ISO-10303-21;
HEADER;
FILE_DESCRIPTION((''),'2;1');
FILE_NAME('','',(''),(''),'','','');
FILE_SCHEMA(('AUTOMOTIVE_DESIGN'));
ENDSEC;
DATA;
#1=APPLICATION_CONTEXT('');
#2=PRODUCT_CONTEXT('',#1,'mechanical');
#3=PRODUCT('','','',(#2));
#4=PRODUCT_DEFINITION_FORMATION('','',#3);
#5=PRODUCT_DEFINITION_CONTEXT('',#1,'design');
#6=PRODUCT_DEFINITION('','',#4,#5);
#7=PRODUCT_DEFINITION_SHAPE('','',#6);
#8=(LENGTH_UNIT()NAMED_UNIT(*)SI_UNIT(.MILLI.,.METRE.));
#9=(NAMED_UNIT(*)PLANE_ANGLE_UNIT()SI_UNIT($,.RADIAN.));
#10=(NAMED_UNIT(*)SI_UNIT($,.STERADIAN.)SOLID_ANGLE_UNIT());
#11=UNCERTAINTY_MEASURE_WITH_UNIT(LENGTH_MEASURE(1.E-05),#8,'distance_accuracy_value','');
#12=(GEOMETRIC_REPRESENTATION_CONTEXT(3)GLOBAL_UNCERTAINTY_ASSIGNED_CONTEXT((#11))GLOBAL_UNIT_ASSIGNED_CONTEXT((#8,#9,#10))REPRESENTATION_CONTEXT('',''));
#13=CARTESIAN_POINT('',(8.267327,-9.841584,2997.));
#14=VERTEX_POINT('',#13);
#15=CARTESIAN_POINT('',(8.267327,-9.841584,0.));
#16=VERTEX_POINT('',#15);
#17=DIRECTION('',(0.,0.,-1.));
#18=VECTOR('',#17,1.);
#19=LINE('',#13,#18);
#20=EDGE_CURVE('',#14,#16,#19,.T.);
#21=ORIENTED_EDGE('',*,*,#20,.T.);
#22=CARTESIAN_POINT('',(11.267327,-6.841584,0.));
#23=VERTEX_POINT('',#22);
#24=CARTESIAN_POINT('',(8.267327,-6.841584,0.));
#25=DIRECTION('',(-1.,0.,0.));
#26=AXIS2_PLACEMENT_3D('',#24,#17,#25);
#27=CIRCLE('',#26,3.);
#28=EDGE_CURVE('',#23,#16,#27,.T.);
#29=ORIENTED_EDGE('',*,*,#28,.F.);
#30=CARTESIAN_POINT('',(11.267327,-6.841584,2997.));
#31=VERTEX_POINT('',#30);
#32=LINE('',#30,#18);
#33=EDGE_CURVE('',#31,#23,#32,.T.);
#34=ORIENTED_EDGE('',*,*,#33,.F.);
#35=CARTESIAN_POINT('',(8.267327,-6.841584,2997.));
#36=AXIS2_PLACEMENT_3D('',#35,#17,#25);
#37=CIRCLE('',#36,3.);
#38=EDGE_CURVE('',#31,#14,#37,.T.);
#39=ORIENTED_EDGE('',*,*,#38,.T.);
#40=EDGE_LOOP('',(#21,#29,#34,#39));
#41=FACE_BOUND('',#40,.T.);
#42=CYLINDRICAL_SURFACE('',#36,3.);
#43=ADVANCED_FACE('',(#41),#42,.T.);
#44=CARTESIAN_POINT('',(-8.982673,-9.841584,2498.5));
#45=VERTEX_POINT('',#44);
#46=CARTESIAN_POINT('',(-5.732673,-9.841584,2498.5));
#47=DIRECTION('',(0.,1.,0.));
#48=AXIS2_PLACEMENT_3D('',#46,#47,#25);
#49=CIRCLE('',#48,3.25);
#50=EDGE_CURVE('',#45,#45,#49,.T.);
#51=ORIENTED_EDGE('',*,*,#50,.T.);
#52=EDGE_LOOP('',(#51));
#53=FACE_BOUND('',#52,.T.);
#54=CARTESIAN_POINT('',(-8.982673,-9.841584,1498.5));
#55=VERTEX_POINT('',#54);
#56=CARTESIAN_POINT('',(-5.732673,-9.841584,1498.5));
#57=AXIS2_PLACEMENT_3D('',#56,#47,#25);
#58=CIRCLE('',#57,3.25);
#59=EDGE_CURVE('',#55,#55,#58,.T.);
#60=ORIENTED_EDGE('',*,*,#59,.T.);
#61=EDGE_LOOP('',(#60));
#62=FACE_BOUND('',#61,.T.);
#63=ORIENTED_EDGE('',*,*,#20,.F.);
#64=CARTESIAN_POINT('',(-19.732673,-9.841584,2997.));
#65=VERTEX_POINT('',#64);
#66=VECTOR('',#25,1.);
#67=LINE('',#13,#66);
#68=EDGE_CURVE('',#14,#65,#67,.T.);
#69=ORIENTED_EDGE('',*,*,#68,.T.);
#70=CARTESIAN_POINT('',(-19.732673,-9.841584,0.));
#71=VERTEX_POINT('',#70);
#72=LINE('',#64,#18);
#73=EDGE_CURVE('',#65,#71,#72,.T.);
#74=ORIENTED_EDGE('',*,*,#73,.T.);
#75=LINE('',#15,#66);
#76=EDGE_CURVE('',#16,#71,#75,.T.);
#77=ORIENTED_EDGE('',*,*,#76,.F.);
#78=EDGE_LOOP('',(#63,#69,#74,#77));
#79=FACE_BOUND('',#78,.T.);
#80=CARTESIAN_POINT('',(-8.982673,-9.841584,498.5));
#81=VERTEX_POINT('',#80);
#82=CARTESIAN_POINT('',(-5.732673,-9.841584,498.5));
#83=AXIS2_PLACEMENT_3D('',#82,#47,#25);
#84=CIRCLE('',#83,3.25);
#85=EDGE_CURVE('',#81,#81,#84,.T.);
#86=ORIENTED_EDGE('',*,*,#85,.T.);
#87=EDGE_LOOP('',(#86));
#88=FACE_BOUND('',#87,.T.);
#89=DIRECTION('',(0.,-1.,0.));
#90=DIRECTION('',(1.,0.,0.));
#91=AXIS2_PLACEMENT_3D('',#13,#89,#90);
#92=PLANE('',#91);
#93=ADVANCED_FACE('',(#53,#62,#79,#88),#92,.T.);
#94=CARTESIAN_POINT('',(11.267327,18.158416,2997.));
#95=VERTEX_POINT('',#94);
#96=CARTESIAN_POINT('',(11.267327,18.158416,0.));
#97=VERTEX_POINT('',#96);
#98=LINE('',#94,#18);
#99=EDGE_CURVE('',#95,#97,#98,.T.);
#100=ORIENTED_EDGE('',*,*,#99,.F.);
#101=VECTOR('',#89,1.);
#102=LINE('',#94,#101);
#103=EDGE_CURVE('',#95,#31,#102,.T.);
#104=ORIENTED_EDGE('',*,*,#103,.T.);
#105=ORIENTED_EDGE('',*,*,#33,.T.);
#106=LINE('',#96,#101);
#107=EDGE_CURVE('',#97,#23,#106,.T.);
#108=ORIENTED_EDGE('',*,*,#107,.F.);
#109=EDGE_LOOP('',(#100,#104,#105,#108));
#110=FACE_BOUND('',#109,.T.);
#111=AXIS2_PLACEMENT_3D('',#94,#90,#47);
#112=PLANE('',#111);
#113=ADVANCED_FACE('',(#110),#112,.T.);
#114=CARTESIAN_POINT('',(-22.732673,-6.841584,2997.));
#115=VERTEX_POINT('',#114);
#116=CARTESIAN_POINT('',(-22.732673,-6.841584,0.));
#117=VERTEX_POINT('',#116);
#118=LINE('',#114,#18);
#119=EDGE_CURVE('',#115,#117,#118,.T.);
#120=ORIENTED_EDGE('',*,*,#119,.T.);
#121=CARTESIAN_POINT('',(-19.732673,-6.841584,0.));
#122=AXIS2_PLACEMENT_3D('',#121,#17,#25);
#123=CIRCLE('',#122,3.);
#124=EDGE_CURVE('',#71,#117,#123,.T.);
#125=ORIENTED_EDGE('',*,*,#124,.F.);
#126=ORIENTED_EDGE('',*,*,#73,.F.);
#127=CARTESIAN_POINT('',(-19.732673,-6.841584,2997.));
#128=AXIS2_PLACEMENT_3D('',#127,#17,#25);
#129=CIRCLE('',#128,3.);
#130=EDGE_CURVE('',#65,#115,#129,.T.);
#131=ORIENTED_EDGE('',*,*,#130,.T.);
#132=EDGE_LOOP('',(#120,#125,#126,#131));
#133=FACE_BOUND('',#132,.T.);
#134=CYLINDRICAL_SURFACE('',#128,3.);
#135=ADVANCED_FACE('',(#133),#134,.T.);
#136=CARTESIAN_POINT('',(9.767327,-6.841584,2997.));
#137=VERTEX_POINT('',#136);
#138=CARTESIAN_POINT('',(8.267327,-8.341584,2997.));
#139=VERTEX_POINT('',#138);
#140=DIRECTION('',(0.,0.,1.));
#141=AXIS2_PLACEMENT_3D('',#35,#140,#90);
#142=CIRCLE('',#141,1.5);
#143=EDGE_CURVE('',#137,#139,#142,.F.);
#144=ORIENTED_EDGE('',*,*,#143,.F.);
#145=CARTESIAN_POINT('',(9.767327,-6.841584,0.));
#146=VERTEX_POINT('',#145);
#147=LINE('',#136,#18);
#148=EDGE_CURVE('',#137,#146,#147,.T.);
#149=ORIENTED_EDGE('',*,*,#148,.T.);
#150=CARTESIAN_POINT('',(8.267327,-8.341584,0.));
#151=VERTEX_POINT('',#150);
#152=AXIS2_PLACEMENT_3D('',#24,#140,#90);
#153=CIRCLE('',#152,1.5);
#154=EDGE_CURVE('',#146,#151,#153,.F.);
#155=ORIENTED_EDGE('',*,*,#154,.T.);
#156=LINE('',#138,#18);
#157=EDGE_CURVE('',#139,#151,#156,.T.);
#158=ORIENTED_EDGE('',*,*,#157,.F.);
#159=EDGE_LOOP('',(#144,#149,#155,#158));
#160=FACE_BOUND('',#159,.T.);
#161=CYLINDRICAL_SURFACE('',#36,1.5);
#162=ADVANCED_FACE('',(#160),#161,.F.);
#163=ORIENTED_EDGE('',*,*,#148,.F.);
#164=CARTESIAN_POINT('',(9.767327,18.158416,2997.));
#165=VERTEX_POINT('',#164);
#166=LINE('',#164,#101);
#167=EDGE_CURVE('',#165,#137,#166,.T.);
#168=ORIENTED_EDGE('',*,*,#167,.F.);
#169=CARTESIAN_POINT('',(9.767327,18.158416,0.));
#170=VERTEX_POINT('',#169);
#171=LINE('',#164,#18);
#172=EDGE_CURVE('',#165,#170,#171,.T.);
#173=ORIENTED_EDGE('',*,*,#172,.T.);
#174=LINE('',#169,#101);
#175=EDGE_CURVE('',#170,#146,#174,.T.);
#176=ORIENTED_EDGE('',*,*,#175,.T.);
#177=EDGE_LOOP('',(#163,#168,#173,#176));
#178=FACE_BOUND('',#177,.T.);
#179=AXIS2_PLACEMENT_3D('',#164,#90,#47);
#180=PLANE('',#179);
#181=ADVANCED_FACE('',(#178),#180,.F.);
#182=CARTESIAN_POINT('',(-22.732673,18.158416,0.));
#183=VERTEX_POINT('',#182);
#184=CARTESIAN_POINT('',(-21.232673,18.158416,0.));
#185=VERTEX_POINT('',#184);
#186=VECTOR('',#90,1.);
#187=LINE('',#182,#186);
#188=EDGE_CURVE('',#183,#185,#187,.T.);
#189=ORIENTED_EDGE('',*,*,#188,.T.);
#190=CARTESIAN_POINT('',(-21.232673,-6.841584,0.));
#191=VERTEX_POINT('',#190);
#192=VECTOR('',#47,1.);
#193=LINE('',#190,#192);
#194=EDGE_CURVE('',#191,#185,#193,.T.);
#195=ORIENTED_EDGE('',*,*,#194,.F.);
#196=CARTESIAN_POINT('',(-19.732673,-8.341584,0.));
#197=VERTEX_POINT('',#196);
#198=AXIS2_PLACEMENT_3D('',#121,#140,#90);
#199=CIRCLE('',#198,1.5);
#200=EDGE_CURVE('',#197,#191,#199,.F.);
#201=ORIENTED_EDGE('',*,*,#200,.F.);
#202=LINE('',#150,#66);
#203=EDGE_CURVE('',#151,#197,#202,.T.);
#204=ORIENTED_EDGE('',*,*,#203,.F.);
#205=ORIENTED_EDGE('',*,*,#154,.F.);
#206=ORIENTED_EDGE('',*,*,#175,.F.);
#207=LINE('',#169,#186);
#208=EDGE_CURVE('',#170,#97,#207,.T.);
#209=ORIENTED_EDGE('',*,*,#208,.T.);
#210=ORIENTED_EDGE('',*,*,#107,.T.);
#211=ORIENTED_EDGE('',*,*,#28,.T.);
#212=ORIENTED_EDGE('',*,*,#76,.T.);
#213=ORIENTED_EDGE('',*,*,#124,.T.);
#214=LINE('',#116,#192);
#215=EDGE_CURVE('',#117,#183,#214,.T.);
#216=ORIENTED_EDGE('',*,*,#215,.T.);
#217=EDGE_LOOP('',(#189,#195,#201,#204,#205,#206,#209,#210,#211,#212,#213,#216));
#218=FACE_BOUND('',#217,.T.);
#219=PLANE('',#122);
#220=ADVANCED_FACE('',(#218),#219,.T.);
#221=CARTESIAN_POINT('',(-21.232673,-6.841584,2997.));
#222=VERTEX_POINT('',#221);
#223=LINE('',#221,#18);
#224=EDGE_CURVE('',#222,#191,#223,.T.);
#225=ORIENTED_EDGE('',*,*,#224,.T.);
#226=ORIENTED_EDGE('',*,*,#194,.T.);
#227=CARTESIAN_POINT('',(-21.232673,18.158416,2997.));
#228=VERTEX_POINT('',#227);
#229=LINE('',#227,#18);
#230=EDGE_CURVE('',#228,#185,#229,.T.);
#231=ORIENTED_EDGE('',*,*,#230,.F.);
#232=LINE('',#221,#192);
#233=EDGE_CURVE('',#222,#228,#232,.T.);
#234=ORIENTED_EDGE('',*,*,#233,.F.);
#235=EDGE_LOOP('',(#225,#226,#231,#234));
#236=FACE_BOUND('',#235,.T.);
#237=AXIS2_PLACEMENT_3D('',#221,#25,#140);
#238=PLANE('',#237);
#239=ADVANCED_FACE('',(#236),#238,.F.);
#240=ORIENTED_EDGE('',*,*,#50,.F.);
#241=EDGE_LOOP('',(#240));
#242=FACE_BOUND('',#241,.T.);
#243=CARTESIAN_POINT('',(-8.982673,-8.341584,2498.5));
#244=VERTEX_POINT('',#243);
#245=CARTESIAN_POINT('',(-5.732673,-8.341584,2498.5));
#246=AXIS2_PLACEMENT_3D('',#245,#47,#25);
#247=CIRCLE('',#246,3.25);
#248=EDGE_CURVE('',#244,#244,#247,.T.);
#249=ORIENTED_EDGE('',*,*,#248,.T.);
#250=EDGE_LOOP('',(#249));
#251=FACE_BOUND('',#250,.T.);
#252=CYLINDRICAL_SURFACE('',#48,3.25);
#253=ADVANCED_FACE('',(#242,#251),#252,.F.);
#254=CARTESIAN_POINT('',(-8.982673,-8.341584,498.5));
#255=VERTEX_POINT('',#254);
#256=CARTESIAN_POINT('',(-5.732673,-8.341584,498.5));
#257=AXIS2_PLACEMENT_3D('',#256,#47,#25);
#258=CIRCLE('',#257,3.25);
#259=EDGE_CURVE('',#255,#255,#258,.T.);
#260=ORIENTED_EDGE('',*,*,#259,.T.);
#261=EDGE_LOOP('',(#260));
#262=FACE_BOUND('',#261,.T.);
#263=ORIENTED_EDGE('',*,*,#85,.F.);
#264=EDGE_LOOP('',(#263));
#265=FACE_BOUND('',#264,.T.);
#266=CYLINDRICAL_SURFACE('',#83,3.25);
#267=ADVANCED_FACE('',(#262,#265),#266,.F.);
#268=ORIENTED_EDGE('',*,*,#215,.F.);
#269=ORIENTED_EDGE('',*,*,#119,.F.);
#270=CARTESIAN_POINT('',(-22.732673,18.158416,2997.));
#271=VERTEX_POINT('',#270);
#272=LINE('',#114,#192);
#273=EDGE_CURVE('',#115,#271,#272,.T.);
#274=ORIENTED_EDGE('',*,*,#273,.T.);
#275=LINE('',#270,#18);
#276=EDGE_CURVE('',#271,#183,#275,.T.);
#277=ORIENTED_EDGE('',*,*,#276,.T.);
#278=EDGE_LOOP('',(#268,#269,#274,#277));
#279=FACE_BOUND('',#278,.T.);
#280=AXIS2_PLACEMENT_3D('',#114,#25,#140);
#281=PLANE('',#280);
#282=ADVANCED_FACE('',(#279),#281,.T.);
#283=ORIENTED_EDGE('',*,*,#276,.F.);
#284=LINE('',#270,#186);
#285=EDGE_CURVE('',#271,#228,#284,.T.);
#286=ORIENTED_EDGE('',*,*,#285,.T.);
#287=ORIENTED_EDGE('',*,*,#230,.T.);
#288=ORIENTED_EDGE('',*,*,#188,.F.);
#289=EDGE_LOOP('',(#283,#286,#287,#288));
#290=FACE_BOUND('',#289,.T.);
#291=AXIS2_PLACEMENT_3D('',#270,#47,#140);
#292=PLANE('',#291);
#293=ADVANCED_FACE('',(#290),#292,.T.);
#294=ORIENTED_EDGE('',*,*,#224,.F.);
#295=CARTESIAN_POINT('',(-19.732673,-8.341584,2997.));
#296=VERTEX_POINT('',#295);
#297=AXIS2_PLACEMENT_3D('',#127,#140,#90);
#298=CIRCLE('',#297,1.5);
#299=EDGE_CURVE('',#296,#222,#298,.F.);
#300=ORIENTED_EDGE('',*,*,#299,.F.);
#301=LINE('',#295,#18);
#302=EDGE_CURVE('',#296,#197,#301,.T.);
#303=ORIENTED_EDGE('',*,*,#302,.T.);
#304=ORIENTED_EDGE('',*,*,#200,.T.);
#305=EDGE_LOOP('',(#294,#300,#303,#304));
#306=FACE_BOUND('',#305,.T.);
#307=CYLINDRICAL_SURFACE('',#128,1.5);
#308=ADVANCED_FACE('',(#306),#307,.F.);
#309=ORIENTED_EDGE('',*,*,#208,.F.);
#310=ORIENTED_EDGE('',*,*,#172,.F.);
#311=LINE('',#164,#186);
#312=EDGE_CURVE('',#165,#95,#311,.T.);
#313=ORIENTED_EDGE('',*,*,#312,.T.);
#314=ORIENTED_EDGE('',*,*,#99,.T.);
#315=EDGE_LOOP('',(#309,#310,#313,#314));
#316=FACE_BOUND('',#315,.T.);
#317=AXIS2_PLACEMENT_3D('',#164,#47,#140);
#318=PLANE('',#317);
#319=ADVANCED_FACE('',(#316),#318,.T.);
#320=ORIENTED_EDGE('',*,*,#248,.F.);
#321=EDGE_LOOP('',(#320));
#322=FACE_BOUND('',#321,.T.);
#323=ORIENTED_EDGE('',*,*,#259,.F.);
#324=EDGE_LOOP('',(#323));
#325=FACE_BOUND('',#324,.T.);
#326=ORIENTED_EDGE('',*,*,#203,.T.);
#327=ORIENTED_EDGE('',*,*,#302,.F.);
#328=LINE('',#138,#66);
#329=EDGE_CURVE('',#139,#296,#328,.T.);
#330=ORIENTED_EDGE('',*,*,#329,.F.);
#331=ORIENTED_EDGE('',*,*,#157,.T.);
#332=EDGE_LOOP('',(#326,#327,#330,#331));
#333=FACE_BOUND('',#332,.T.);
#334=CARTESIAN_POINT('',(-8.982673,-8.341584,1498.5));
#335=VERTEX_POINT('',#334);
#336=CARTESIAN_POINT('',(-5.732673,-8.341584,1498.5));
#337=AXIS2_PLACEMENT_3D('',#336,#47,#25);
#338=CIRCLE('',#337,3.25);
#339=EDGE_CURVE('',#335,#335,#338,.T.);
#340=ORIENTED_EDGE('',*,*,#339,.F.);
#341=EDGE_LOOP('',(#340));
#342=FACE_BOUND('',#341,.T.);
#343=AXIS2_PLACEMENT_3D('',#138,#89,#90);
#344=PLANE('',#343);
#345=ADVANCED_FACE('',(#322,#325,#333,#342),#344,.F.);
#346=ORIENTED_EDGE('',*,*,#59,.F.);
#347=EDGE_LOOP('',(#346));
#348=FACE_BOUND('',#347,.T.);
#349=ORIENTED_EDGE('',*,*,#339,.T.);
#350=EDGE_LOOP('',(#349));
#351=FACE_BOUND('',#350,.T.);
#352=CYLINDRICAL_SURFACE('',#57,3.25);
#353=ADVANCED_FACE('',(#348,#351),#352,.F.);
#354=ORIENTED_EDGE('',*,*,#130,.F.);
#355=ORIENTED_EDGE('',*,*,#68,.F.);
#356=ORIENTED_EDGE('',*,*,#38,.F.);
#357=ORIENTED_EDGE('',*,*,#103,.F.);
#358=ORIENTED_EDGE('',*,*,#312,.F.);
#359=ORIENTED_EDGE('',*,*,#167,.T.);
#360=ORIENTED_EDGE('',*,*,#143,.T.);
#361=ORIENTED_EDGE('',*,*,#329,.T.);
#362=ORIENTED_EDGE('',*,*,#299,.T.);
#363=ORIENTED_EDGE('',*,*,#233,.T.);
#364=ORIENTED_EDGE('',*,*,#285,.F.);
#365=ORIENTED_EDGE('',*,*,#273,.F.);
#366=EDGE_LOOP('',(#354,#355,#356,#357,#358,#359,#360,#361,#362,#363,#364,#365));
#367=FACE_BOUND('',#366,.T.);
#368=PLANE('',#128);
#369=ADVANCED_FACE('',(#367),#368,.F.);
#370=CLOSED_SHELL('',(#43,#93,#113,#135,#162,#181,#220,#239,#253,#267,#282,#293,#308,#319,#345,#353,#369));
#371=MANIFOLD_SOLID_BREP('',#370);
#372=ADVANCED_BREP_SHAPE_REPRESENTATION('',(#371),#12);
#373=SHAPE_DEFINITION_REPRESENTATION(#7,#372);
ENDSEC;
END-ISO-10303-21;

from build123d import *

# Parameters (mm, degrees)
EXTRUDE_THIN1_DEPTH = 2997
SKETCH2_R           = 3.25
CUT_EXTRUDE1_DEPTH  = 2998.203367213
LPATTERN1_COUNT     = 3
LPATTERN1_PITCH     = 1000


with BuildPart() as part:
    # Sketch1 → Extrude-Thin1 (new body)
    with BuildSketch(Plane.XY):
        with BuildLine():
            Line((11.267326733, 18.158415842), (11.267326733, -6.841584158))
            ThreePointArc((11.267326733, -6.841584158), (10.388647076, -8.962904502), (8.267326733, -9.841584158))
            Line((8.267326733, -9.841584158), (-19.732673267, -9.841584158))
            ThreePointArc((-19.732673267, -9.841584158), (-21.853993611, -8.962904502), (-22.732673267, -6.841584158))
            Line((-22.732673267, -6.841584158), (-22.732673267, 18.158415842))
            Line((-22.732673267, 18.158415842), (-21.232673267, 18.158415842))
            Line((-21.232673267, 18.158415842), (-21.232673267, -6.841584158))
            ThreePointArc((-21.232673267, -6.841584158), (-20.793333439, -7.90224433), (-19.732673267, -8.341584158))
            Line((-19.732673267, -8.341584158), (8.267326733, -8.341584158))
            ThreePointArc((8.267326733, -8.341584158), (9.327986904, -7.90224433), (9.767326733, -6.841584158))
            Line((9.767326733, -6.841584158), (9.767326733, 18.158415842))
            Line((9.767326733, 18.158415842), (11.267326733, 18.158415842))
        make_face()
    extrude(amount=EXTRUDE_THIN1_DEPTH)

    # Sketch2 → Cut-Extrude1 (cut, through all)
    with BuildSketch(Plane(origin=(0, -8.341584158, 0), x_dir=(1, 0, 0), z_dir=(0, 1, 0))):
        with Locations(Location((-5.732673267, -2498.5, 0), (0, 0, 180))):
            Circle(SKETCH2_R)
    cut_extrude1 = extrude(amount=-CUT_EXTRUDE1_DEPTH, mode=Mode.SUBTRACT)

    # LPattern1: Cut-Extrude1 ×3
    with Locations(*[(0, 0, -i * LPATTERN1_PITCH) for i in range(1, LPATTERN1_COUNT)]):
        add(cut_extrude1, mode=Mode.SUBTRACT)


solid = part.part
